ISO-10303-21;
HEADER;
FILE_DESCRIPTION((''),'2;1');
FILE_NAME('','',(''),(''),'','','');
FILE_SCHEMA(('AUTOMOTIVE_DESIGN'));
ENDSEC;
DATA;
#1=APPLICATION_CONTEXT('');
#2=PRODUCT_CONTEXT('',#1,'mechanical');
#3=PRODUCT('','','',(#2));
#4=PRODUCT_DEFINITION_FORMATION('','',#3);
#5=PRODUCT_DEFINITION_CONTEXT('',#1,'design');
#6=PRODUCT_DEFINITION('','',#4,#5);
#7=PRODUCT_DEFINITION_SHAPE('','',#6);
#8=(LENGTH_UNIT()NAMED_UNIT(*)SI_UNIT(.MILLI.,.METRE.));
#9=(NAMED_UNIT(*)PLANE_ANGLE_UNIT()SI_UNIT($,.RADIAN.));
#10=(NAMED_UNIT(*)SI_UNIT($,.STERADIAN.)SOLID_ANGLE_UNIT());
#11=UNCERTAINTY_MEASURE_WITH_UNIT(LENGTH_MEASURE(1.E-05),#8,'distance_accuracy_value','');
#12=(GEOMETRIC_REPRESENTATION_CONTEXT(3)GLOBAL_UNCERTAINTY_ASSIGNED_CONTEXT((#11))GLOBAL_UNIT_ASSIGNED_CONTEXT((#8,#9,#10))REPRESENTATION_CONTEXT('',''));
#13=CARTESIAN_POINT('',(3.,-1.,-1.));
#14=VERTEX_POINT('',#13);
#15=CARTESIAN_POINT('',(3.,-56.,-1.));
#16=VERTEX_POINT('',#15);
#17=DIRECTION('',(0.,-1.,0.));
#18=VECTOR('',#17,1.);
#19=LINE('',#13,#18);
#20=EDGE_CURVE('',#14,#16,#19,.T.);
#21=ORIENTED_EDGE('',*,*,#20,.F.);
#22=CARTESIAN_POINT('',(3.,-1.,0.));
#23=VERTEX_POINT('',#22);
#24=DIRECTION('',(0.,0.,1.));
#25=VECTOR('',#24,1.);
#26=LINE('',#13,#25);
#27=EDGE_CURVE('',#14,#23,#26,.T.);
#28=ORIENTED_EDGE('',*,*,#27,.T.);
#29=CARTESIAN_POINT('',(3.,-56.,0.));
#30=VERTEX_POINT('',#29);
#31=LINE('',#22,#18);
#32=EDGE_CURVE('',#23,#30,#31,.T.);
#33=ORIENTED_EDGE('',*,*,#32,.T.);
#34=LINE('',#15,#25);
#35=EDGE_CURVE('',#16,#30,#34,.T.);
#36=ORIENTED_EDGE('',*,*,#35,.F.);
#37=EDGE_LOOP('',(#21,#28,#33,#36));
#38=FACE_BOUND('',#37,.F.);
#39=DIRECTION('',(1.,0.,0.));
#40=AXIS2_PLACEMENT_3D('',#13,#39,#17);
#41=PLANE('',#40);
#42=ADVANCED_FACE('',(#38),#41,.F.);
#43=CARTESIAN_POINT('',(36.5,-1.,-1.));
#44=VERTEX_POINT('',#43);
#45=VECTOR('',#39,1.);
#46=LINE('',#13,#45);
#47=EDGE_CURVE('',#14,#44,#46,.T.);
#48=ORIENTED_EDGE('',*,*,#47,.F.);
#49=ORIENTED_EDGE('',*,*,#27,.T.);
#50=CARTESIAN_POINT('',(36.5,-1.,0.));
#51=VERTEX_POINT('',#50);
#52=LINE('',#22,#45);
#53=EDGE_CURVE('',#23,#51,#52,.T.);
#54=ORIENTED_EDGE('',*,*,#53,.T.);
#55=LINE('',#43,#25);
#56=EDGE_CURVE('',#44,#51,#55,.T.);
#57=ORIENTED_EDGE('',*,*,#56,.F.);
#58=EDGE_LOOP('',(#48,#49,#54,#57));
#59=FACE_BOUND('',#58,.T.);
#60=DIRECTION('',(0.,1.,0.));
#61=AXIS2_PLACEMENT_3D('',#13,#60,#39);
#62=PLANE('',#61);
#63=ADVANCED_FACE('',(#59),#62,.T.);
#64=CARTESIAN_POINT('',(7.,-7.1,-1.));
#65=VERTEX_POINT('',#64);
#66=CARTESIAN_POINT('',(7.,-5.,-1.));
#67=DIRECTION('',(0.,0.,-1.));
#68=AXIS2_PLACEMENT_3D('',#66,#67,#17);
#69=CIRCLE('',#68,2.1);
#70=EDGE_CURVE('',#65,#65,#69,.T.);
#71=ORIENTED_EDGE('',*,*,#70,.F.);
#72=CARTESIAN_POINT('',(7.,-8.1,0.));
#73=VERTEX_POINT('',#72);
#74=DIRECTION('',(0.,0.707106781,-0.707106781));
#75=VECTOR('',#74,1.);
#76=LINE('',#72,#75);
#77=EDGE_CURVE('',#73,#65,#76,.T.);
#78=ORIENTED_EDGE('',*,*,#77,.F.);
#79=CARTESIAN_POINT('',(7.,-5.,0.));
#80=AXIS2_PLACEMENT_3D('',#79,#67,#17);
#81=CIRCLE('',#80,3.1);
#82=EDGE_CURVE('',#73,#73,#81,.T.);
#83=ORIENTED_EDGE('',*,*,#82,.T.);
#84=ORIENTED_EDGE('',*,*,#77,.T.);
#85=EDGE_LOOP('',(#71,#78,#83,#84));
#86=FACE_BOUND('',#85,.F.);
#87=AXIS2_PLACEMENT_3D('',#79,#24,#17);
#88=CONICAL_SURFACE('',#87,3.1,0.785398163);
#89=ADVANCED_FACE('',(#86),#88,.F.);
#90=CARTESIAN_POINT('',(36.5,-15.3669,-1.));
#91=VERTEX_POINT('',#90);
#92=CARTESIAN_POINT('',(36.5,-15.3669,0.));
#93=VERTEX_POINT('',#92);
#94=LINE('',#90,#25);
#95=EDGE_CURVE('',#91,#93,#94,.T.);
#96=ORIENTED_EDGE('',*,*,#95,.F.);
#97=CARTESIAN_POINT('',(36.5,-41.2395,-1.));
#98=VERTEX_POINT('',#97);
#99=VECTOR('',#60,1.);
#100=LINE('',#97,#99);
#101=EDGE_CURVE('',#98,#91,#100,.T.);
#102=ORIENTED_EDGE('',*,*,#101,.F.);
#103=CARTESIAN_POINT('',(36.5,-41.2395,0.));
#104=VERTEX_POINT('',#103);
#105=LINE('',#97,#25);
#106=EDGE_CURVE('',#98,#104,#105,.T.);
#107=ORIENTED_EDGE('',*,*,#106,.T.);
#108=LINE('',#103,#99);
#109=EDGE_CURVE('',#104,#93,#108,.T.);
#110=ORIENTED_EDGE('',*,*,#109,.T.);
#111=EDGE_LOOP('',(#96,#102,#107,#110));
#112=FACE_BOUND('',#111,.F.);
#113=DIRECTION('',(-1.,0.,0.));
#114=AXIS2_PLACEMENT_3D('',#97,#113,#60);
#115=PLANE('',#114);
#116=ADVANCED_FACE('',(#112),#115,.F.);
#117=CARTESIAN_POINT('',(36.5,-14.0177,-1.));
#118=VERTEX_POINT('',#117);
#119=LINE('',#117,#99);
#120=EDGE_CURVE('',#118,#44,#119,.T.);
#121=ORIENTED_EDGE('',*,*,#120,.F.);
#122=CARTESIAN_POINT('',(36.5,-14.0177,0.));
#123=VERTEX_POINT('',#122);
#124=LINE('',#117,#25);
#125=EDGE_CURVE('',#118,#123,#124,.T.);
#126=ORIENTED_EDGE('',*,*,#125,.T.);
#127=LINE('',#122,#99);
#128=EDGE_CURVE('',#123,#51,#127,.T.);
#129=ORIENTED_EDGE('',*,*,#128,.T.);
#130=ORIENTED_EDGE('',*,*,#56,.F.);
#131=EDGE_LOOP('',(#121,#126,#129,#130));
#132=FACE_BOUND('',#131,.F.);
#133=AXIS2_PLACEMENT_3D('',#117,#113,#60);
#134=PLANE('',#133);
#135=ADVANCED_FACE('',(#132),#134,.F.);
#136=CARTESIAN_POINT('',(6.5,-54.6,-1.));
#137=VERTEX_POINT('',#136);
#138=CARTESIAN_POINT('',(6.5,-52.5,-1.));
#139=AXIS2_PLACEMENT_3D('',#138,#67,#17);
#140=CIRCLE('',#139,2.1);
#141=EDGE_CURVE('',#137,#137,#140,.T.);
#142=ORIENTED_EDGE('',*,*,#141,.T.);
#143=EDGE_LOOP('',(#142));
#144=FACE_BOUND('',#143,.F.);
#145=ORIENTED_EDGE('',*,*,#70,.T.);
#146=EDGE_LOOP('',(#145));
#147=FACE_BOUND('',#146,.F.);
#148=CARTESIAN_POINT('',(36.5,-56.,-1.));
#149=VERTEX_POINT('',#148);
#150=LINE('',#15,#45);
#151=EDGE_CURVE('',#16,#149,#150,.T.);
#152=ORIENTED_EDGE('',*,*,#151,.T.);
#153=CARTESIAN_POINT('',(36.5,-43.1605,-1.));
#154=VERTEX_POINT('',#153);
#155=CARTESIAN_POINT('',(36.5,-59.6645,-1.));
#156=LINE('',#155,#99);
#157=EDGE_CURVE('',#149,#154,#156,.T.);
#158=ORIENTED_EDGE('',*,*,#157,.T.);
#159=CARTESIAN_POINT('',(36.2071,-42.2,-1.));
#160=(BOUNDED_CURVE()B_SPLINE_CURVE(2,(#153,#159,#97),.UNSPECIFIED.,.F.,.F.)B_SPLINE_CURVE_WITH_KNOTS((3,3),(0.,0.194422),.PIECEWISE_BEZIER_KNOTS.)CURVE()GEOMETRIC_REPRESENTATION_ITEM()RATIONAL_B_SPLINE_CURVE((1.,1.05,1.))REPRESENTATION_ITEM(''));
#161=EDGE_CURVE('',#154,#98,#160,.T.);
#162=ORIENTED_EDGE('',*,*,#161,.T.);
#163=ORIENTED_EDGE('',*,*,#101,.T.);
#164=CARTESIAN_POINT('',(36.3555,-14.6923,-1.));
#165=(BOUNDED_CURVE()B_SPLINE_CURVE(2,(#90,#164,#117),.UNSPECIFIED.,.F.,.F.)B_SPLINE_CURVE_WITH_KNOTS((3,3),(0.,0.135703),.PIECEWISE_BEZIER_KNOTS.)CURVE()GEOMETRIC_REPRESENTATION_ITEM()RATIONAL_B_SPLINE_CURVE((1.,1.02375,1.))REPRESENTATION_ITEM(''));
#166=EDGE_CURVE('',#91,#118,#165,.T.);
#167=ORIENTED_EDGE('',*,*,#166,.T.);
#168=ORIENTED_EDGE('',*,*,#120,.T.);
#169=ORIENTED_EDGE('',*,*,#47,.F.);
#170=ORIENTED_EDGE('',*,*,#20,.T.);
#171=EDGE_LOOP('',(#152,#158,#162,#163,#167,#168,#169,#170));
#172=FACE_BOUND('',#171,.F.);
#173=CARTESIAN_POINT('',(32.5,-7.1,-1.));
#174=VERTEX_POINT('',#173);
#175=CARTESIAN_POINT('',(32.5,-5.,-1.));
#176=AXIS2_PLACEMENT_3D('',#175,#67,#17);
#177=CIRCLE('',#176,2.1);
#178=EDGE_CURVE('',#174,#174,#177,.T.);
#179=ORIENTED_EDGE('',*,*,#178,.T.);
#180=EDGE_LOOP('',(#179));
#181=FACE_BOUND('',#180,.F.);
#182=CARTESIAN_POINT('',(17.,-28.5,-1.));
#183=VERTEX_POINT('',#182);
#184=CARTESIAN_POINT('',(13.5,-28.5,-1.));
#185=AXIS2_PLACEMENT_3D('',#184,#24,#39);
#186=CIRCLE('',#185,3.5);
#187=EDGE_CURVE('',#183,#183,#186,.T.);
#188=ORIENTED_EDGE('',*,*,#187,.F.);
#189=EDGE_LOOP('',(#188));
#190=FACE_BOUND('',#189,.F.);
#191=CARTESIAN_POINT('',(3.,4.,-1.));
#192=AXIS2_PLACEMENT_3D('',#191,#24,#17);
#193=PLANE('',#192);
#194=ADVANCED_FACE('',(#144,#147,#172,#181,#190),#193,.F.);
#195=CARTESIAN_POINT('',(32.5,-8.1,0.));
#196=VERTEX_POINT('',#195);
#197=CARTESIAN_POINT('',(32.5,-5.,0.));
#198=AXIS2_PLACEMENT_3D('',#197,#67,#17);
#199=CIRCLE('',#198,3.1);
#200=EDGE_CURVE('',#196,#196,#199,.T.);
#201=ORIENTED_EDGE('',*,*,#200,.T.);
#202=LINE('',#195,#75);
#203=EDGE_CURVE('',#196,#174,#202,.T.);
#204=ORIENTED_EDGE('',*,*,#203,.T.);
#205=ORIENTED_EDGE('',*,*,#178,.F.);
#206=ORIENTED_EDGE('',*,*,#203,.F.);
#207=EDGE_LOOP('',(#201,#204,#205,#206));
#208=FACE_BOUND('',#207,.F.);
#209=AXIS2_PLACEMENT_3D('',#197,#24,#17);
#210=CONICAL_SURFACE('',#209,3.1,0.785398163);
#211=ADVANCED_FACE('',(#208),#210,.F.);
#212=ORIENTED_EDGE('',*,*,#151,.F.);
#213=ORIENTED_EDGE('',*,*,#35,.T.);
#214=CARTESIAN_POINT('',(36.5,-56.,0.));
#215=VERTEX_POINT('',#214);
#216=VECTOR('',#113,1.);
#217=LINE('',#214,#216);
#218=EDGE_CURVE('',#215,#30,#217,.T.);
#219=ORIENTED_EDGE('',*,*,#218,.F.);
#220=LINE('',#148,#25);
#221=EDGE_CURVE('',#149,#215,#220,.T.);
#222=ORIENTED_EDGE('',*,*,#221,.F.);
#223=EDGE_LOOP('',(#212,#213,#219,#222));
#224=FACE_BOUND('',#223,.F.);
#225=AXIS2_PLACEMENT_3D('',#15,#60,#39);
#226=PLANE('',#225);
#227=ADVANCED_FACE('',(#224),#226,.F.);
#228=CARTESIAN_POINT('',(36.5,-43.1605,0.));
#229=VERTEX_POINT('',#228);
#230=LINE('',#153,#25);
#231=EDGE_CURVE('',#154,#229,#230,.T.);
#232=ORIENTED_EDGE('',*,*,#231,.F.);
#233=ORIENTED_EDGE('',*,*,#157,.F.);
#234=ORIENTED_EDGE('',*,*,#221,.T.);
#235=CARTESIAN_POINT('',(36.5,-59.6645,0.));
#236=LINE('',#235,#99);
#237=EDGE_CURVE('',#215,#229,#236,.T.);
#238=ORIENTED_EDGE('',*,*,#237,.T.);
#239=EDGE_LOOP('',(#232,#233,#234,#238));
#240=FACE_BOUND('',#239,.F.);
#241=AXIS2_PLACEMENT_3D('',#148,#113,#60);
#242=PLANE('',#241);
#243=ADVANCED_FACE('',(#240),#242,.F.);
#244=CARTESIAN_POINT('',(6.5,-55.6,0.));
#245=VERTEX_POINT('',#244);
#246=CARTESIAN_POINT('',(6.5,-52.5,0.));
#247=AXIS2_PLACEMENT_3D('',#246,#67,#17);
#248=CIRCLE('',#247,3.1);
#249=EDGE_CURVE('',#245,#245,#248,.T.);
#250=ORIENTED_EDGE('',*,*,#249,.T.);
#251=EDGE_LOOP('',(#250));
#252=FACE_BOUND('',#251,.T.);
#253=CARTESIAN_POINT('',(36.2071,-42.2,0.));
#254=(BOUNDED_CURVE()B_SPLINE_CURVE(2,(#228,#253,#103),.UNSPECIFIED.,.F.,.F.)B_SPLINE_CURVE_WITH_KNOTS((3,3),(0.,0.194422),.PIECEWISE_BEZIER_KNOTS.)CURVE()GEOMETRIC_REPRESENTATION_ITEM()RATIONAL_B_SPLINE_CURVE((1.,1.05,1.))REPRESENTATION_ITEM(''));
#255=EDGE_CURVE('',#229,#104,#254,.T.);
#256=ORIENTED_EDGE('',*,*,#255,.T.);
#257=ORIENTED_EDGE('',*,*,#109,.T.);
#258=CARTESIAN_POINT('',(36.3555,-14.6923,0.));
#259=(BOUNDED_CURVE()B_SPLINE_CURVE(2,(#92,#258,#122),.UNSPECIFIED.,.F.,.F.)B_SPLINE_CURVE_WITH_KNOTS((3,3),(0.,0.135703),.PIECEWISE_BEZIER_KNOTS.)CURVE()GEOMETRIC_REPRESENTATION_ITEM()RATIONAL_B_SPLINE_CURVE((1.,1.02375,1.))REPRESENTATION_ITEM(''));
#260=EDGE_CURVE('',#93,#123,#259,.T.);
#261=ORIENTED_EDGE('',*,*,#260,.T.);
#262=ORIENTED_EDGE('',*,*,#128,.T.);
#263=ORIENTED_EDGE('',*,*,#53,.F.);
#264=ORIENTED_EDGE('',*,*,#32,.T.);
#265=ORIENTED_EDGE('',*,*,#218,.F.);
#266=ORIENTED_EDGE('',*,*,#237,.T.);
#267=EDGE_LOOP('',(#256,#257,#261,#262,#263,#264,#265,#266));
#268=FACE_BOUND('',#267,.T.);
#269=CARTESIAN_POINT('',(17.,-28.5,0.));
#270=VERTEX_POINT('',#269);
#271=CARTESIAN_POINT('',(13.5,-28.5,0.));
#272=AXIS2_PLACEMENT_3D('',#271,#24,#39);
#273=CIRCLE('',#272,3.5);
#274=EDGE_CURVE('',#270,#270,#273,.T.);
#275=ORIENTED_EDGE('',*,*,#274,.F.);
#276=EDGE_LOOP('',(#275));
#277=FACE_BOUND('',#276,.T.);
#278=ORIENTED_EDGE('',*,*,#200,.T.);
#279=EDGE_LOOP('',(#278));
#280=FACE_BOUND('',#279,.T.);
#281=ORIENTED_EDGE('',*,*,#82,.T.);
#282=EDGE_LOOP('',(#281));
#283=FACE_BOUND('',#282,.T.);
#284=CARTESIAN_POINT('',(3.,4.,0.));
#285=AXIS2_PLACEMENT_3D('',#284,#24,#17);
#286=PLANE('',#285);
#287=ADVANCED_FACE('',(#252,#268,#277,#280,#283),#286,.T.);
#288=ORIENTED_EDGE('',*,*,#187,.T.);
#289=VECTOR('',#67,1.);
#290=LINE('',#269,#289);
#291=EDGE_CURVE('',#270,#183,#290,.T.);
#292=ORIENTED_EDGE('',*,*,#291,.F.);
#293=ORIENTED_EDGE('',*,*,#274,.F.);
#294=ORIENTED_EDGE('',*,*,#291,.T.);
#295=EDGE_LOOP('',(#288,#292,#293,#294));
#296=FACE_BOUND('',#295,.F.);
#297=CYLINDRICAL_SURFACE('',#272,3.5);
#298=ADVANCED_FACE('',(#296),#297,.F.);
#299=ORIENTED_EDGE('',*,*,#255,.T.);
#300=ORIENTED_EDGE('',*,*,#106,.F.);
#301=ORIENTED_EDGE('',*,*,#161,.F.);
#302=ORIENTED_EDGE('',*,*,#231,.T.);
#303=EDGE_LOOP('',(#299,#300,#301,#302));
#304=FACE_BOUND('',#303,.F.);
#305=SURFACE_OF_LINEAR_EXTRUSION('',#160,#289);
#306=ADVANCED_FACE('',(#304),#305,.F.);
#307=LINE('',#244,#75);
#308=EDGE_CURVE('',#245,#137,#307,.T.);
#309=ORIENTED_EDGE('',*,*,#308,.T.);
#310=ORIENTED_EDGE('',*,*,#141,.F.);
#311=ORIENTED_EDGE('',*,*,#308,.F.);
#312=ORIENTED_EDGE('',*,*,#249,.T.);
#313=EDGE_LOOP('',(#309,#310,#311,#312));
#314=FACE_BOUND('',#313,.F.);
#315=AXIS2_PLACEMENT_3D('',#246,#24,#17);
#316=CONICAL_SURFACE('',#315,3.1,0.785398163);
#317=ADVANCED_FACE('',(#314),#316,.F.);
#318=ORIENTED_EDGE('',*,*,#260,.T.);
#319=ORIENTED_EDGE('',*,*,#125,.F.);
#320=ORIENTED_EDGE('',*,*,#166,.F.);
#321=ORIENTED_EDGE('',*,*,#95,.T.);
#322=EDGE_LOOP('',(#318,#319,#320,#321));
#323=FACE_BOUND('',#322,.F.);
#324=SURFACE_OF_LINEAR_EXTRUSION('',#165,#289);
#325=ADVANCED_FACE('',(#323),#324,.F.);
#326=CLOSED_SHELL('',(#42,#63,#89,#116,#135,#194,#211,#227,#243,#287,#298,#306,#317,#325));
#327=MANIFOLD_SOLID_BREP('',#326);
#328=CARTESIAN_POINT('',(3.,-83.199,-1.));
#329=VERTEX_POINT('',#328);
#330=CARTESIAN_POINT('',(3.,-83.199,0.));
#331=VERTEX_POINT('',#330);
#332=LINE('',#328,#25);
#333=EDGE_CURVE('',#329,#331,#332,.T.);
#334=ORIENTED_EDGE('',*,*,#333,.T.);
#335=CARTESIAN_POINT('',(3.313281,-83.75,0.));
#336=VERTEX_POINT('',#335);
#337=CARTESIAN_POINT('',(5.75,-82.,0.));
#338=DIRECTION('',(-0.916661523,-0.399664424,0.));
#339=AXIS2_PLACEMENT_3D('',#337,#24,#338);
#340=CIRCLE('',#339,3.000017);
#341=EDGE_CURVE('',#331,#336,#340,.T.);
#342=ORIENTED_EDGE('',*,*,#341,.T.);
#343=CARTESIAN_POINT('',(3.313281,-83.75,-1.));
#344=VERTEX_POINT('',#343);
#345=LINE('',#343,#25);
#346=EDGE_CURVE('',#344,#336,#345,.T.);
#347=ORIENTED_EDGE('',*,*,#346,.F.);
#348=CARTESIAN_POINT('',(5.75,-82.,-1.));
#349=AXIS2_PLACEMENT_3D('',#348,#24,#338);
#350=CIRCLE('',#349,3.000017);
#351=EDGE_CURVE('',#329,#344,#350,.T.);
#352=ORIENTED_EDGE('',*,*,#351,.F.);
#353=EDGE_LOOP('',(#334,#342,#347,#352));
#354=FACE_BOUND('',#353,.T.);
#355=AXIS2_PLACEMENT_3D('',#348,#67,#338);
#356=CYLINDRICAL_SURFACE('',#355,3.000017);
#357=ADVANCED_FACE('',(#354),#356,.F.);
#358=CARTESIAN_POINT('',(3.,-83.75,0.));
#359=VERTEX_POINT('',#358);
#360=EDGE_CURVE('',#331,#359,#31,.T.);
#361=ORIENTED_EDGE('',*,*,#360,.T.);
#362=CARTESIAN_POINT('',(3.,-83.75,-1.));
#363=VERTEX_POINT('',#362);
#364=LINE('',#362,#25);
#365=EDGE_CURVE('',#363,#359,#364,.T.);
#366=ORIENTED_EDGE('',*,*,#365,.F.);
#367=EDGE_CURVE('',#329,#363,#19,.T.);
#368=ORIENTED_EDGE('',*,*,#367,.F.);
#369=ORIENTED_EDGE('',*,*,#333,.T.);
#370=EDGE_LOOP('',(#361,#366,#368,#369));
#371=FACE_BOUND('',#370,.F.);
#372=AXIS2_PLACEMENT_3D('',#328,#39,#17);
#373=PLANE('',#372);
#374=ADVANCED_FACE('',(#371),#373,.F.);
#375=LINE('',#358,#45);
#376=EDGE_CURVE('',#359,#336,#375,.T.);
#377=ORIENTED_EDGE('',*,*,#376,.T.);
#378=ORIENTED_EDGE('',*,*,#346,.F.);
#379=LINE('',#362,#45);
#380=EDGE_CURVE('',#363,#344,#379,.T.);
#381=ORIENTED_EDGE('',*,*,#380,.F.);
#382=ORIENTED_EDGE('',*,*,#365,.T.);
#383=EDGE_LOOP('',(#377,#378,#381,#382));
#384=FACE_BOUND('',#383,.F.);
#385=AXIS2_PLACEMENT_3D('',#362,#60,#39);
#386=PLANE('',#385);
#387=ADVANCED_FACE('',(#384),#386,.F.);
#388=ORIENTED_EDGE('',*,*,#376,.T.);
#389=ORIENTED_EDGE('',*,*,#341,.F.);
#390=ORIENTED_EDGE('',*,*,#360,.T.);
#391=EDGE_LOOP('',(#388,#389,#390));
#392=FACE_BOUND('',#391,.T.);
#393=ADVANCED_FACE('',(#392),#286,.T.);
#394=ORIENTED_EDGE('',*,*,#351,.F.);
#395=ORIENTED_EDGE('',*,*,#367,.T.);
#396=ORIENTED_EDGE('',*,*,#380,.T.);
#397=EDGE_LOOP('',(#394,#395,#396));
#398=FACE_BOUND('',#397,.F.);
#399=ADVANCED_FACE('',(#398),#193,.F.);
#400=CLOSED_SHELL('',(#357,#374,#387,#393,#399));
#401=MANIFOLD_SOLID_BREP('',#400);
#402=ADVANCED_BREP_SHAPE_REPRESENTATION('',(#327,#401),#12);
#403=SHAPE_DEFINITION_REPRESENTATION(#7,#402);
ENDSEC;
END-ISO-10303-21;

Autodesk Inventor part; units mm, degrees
ref_plane "YZ Plane" through (0, 0, 0) normal (1, 0, 0) x (0, 1, 0)
ref_plane "XZ Plane" through (0, 0, 0) normal (0, 1, 0) x (-1, 0, 0)
ref_plane "XY Plane" through (0, 0, 0) normal (0, 0, 1) x (1, 0, 0)
ref_plane "Work Plane1" through (3, 4, -1) normal (0, 0, 1) x (0, -1, 0)
sketch "Sketch1" plane through (3, 4, -1) normal (0, 0, 1) x (0, -1, 0)
  line L0 (87.75, 33.5) -> (84.9105, 33.5) projected
  line L1 (5, 0) -> (5, 33.5) projected
  line L2 (5, 0) -> (87.75, 0) projected
  line L3 (5, 0) -> (60, 0) projected
  line L4 (5, -3) -> (5, 0) projected
  line L5 (4, -3) -> (60, -3) projected
  line L6 (60, 33.5) -> (60, 3.949) projected
  line L7 (60, -3) -> (60, 0) projected
  line L8 (87.199, 0) -> (183, 0) projected
  circle A0 centre (74.375, 17.375) radius 6.75 projected
  line L9 (60, 0) -> (60, 33.5)
  circle A1 centre (32.5, 10.5) radius 5.5 projected
  circle A2 centre (9, 4) radius 2.1 projected
  circle A3 centre (9, 29.5) radius 2.1 projected
  circle A4 centre (56.5, 3.5) radius 2.1 projected
  line L10 (82.9895, 33.5) -> (65.5855, 33.5) projected
  line L11 (63.6645, 33.5) -> (47.1605, 33.5) projected
  spline S0 degree 2 poles (47.1605, 33.5) (46.2, 33.2071) (45.2395, 33.5) knots 0 0 0 0.194422 0.194422 0.194422 weights 1 1.05 1 projected
  line L12 (45.2395, 33.5) -> (19.3669, 33.5) projected
  line L13 (183, 0) -> (183, 4.5) projected
  line L14 (183, 4.5) -> (137.8889, 33.5) projected
  line L15 (137.8889, 33.5) -> (60, 33.5) projected
  arc A5 (63.949, 0) -> (60, 3.949) centre (62.75, 2.75) ccw projected
  line L16 (63.949, 0) -> (84.801, 0) projected
  arc A6 (87.199, 0) -> (84.801, 0) centre (86, 2.75) ccw projected
  spline S1 degree 2 poles (19.3669, 33.5) (18.6923, 33.3555) (18.0177, 33.5) knots 0 0 0 0.135703 0.135703 0.135703 weights 1 1.02375 1 projected
  spline S2 degree 2 poles (84.9105, 33.5) (83.95, 33.2071) (82.9895, 33.5) knots 0 0 0 0.194422 0.194422 0.194422 weights 1 1.05 1 projected
  spline S3 degree 2 poles (65.5855, 33.5) (64.625, 33.2071) (63.6645, 33.5) knots 0 0 0 0.194422 0.194422 0.194422 weights 1 1.05 1 projected
  line L17 (87.75, 0) -> (87.75, 33.5) projected
  line L18 (18.0177, 33.5) -> (5, 33.5) projected
  point P0 (89.75, 33.5)
  point P1 (52, 0)
  point P2 (64.076, 0)
  point P3 (87.674, 0)
  point P4 (63.25, 3.25)
  point P5 (60, 3.949)
  point P6 (86.9105, 33.5)
  point P7 (84.9895, 33.5)
  point P8 (87.75, 5.1867)
  point P9 (87.75, 0.3133)
  point P10 (60, 3.949)
  point P11 (87.199, 0)
extrude "Extrusion1" add sketch "Sketch1" along normal blind 1 contours L17 L2 A6 | L2 L1 L18 S1 L12 S0 L11 L6 L9 | A1 | A2 | A3 | A4 picked at (87.6913, 0.1698)
sketch "Sketch2" plane through (3, 4, 0) normal (0, 0, 1) x (1, 0, 0)
  line L0 (12.5287, -34.71) -> (8.4496, -34.6899)
  arc A0 (8.4713, -30.29) -> (8.4496, -34.6899) centre (10.5, -32.5) ccw
  line L1 (8.4713, -30.29) -> (12.5504, -30.3101)
  arc A1 (12.5287, -34.71) -> (12.5504, -30.3101) centre (10.5, -32.5) ccw
  circle A2 centre (10.5, -32.5) radius 3
  circle A3 centre (10.5, -32.5) radius 3.5
  point P0 (-3, -4)
  dimension "d5" = 0.5
extrude "Extrusion2" cut sketch "Sketch2" against normal up to next contours A2 L0 | L0 A0 L1 A1 | A2 L1 | A3
sketch "Sketch3" plane through (3, 4, 0) normal (0, 0, 1) x (1, 0, 0)
  circle A0 centre (10.5, -32.5) radius 3.5 projected
  line L0 (0, -5) -> (0, -60) projected
  line L1 (33.5, -5) -> (0, -5) projected
  circle A1 centre (3.5, -56.5) radius 3.5
  circle A2 centre (4, -9) radius 4
  circle A3 centre (3.5, -56.5) radius 2.6
  circle A4 centre (4, -9) radius 2.6
  circle A5 centre (29.5, -9) radius 4
  circle A6 centre (29.5, -9) radius 2.6
  line L2 (33.5, -60) -> (33.5, -47.1605) projected
  line L3 (33.5, -45.2395) -> (33.5, -19.3669) projected
  line L4 (33.5, -18.0177) -> (33.5, -5) projected
  line L5 (0, -87.75) -> (0.3133, -87.75) projected
  arc A7 (0, -87.199) -> (0.3133, -87.75) centre (2.75, -86) ccw projected
  line L6 (0, -87.199) -> (0, -87.75) projected
  line L7 (0, -60) -> (33.5, -60) projected
  point P0 (-3, -4)
  dimension "d8" = 7
  dimension "d17" = 8
  dimension "d18" = 5.2
  dimension "d19" = 5.2
  dimension "d20" = 4
  dimension "d21" = 4
  dimension "d22" = 8
  dimension "d23" = 5.2
  dimension "d25" = 4
hole "Hole1" at (6.5, -52.5, 0) at (7, -5, 0) at (32.5, -5, 0) direction (0, 0, -1) diameter 3.6 end through all countersink diameter 6.2 countersink angle 90 clearance for "Countersunk Flat Head Screw ISO 2009/7046" size "M3" standard "ISO"
properties part number "right_metal_gear_bracker"
